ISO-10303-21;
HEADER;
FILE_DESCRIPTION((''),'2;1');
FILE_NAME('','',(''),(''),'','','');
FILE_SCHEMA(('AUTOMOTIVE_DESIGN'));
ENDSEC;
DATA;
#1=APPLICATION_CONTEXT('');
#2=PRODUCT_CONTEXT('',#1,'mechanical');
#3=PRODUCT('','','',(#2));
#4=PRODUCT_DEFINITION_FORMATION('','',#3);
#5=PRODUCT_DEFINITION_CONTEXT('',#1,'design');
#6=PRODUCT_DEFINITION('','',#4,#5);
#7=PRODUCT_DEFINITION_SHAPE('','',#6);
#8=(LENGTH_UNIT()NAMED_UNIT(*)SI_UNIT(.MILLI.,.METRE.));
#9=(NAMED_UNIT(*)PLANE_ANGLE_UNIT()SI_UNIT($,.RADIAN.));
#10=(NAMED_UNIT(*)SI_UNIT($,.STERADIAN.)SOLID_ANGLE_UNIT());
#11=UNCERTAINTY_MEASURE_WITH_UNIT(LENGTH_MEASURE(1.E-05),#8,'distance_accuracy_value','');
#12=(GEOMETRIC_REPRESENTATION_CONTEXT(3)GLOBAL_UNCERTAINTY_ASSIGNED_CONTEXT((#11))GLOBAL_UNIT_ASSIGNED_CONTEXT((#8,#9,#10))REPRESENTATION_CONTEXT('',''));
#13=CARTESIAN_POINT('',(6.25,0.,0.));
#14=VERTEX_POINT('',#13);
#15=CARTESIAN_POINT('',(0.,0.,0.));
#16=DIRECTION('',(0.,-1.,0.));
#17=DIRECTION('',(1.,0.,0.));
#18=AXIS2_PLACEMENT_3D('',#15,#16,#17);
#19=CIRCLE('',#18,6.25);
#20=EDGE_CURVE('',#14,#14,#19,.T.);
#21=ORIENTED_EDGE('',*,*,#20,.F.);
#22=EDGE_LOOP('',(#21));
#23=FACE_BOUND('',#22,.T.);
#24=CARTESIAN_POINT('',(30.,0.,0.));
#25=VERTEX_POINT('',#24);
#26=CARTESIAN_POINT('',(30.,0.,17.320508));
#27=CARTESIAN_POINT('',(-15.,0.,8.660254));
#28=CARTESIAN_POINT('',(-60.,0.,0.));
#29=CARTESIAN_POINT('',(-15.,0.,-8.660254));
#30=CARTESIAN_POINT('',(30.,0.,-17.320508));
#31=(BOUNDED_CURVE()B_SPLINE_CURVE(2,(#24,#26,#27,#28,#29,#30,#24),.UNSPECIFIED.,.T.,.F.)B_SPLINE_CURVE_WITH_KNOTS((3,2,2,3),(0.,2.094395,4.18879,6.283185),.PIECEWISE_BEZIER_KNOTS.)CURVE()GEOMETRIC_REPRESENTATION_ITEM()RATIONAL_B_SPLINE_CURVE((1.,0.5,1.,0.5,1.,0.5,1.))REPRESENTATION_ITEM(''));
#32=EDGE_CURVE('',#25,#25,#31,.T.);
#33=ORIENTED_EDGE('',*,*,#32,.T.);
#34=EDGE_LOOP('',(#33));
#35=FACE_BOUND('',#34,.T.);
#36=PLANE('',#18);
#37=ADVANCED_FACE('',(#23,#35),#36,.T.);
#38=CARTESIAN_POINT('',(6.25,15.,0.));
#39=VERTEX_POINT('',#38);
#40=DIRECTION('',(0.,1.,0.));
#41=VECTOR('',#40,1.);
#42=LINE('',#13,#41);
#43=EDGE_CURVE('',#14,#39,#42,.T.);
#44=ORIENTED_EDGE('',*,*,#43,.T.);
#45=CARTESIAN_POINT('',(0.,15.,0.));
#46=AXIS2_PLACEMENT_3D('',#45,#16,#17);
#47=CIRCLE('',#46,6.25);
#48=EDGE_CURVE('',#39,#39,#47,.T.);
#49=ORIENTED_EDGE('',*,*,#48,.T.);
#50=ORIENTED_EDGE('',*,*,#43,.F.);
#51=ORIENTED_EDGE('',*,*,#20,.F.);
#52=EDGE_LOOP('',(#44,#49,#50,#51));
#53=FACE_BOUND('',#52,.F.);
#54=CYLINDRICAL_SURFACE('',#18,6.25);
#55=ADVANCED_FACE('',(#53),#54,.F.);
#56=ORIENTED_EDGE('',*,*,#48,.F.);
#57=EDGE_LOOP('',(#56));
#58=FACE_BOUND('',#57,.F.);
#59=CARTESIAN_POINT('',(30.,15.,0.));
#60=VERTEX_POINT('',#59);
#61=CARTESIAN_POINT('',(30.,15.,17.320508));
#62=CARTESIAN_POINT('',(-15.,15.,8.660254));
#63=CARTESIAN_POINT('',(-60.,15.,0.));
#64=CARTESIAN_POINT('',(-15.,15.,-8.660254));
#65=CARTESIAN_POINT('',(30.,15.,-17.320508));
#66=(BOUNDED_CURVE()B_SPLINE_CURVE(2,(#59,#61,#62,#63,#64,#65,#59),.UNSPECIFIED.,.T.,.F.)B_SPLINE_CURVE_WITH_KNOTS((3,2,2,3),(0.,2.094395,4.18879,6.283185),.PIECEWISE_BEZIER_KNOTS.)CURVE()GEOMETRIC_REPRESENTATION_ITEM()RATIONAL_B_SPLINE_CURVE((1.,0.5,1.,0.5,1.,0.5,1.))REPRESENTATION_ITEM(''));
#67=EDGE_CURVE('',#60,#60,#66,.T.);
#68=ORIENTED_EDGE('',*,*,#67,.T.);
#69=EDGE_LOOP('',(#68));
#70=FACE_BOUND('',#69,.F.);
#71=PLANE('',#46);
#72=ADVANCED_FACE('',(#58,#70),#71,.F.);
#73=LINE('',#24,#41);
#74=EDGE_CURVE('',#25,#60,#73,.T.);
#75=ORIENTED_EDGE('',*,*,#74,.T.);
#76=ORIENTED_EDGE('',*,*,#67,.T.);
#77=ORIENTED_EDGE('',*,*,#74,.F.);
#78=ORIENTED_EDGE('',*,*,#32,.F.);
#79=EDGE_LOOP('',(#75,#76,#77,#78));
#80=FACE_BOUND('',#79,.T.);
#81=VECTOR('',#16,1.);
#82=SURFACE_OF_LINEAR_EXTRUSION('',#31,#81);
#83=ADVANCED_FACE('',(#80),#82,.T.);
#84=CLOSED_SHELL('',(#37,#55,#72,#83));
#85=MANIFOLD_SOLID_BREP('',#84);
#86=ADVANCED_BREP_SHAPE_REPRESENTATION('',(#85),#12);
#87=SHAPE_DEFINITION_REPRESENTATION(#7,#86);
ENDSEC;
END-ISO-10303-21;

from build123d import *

# Parameters (mm, degrees)
F0_R     = 6.25
F1_DEPTH = 15


with BuildPart() as f1:
    # F0 (on Front) → F1 (new body)
    with BuildSketch(Plane.XZ):
        with BuildLine():
            add(Edge.make_bspline(
                [(30, 0), (30, 17.320508), (-15, 8.660254), (-60, 0), (-15, -8.660254), (30, -17.320508), (30, 0)],
                knots=[0, 0, 0, 2.094395, 2.094395, 4.18879, 4.18879, 6.283185, 6.283185, 6.283185], degree=2, weights=[1, 0.5, 1, 0.5, 1, 0.5, 1]))
        make_face()
        Circle(F0_R, mode=Mode.SUBTRACT)
    extrude(amount=-F1_DEPTH)


solid = f1.part
